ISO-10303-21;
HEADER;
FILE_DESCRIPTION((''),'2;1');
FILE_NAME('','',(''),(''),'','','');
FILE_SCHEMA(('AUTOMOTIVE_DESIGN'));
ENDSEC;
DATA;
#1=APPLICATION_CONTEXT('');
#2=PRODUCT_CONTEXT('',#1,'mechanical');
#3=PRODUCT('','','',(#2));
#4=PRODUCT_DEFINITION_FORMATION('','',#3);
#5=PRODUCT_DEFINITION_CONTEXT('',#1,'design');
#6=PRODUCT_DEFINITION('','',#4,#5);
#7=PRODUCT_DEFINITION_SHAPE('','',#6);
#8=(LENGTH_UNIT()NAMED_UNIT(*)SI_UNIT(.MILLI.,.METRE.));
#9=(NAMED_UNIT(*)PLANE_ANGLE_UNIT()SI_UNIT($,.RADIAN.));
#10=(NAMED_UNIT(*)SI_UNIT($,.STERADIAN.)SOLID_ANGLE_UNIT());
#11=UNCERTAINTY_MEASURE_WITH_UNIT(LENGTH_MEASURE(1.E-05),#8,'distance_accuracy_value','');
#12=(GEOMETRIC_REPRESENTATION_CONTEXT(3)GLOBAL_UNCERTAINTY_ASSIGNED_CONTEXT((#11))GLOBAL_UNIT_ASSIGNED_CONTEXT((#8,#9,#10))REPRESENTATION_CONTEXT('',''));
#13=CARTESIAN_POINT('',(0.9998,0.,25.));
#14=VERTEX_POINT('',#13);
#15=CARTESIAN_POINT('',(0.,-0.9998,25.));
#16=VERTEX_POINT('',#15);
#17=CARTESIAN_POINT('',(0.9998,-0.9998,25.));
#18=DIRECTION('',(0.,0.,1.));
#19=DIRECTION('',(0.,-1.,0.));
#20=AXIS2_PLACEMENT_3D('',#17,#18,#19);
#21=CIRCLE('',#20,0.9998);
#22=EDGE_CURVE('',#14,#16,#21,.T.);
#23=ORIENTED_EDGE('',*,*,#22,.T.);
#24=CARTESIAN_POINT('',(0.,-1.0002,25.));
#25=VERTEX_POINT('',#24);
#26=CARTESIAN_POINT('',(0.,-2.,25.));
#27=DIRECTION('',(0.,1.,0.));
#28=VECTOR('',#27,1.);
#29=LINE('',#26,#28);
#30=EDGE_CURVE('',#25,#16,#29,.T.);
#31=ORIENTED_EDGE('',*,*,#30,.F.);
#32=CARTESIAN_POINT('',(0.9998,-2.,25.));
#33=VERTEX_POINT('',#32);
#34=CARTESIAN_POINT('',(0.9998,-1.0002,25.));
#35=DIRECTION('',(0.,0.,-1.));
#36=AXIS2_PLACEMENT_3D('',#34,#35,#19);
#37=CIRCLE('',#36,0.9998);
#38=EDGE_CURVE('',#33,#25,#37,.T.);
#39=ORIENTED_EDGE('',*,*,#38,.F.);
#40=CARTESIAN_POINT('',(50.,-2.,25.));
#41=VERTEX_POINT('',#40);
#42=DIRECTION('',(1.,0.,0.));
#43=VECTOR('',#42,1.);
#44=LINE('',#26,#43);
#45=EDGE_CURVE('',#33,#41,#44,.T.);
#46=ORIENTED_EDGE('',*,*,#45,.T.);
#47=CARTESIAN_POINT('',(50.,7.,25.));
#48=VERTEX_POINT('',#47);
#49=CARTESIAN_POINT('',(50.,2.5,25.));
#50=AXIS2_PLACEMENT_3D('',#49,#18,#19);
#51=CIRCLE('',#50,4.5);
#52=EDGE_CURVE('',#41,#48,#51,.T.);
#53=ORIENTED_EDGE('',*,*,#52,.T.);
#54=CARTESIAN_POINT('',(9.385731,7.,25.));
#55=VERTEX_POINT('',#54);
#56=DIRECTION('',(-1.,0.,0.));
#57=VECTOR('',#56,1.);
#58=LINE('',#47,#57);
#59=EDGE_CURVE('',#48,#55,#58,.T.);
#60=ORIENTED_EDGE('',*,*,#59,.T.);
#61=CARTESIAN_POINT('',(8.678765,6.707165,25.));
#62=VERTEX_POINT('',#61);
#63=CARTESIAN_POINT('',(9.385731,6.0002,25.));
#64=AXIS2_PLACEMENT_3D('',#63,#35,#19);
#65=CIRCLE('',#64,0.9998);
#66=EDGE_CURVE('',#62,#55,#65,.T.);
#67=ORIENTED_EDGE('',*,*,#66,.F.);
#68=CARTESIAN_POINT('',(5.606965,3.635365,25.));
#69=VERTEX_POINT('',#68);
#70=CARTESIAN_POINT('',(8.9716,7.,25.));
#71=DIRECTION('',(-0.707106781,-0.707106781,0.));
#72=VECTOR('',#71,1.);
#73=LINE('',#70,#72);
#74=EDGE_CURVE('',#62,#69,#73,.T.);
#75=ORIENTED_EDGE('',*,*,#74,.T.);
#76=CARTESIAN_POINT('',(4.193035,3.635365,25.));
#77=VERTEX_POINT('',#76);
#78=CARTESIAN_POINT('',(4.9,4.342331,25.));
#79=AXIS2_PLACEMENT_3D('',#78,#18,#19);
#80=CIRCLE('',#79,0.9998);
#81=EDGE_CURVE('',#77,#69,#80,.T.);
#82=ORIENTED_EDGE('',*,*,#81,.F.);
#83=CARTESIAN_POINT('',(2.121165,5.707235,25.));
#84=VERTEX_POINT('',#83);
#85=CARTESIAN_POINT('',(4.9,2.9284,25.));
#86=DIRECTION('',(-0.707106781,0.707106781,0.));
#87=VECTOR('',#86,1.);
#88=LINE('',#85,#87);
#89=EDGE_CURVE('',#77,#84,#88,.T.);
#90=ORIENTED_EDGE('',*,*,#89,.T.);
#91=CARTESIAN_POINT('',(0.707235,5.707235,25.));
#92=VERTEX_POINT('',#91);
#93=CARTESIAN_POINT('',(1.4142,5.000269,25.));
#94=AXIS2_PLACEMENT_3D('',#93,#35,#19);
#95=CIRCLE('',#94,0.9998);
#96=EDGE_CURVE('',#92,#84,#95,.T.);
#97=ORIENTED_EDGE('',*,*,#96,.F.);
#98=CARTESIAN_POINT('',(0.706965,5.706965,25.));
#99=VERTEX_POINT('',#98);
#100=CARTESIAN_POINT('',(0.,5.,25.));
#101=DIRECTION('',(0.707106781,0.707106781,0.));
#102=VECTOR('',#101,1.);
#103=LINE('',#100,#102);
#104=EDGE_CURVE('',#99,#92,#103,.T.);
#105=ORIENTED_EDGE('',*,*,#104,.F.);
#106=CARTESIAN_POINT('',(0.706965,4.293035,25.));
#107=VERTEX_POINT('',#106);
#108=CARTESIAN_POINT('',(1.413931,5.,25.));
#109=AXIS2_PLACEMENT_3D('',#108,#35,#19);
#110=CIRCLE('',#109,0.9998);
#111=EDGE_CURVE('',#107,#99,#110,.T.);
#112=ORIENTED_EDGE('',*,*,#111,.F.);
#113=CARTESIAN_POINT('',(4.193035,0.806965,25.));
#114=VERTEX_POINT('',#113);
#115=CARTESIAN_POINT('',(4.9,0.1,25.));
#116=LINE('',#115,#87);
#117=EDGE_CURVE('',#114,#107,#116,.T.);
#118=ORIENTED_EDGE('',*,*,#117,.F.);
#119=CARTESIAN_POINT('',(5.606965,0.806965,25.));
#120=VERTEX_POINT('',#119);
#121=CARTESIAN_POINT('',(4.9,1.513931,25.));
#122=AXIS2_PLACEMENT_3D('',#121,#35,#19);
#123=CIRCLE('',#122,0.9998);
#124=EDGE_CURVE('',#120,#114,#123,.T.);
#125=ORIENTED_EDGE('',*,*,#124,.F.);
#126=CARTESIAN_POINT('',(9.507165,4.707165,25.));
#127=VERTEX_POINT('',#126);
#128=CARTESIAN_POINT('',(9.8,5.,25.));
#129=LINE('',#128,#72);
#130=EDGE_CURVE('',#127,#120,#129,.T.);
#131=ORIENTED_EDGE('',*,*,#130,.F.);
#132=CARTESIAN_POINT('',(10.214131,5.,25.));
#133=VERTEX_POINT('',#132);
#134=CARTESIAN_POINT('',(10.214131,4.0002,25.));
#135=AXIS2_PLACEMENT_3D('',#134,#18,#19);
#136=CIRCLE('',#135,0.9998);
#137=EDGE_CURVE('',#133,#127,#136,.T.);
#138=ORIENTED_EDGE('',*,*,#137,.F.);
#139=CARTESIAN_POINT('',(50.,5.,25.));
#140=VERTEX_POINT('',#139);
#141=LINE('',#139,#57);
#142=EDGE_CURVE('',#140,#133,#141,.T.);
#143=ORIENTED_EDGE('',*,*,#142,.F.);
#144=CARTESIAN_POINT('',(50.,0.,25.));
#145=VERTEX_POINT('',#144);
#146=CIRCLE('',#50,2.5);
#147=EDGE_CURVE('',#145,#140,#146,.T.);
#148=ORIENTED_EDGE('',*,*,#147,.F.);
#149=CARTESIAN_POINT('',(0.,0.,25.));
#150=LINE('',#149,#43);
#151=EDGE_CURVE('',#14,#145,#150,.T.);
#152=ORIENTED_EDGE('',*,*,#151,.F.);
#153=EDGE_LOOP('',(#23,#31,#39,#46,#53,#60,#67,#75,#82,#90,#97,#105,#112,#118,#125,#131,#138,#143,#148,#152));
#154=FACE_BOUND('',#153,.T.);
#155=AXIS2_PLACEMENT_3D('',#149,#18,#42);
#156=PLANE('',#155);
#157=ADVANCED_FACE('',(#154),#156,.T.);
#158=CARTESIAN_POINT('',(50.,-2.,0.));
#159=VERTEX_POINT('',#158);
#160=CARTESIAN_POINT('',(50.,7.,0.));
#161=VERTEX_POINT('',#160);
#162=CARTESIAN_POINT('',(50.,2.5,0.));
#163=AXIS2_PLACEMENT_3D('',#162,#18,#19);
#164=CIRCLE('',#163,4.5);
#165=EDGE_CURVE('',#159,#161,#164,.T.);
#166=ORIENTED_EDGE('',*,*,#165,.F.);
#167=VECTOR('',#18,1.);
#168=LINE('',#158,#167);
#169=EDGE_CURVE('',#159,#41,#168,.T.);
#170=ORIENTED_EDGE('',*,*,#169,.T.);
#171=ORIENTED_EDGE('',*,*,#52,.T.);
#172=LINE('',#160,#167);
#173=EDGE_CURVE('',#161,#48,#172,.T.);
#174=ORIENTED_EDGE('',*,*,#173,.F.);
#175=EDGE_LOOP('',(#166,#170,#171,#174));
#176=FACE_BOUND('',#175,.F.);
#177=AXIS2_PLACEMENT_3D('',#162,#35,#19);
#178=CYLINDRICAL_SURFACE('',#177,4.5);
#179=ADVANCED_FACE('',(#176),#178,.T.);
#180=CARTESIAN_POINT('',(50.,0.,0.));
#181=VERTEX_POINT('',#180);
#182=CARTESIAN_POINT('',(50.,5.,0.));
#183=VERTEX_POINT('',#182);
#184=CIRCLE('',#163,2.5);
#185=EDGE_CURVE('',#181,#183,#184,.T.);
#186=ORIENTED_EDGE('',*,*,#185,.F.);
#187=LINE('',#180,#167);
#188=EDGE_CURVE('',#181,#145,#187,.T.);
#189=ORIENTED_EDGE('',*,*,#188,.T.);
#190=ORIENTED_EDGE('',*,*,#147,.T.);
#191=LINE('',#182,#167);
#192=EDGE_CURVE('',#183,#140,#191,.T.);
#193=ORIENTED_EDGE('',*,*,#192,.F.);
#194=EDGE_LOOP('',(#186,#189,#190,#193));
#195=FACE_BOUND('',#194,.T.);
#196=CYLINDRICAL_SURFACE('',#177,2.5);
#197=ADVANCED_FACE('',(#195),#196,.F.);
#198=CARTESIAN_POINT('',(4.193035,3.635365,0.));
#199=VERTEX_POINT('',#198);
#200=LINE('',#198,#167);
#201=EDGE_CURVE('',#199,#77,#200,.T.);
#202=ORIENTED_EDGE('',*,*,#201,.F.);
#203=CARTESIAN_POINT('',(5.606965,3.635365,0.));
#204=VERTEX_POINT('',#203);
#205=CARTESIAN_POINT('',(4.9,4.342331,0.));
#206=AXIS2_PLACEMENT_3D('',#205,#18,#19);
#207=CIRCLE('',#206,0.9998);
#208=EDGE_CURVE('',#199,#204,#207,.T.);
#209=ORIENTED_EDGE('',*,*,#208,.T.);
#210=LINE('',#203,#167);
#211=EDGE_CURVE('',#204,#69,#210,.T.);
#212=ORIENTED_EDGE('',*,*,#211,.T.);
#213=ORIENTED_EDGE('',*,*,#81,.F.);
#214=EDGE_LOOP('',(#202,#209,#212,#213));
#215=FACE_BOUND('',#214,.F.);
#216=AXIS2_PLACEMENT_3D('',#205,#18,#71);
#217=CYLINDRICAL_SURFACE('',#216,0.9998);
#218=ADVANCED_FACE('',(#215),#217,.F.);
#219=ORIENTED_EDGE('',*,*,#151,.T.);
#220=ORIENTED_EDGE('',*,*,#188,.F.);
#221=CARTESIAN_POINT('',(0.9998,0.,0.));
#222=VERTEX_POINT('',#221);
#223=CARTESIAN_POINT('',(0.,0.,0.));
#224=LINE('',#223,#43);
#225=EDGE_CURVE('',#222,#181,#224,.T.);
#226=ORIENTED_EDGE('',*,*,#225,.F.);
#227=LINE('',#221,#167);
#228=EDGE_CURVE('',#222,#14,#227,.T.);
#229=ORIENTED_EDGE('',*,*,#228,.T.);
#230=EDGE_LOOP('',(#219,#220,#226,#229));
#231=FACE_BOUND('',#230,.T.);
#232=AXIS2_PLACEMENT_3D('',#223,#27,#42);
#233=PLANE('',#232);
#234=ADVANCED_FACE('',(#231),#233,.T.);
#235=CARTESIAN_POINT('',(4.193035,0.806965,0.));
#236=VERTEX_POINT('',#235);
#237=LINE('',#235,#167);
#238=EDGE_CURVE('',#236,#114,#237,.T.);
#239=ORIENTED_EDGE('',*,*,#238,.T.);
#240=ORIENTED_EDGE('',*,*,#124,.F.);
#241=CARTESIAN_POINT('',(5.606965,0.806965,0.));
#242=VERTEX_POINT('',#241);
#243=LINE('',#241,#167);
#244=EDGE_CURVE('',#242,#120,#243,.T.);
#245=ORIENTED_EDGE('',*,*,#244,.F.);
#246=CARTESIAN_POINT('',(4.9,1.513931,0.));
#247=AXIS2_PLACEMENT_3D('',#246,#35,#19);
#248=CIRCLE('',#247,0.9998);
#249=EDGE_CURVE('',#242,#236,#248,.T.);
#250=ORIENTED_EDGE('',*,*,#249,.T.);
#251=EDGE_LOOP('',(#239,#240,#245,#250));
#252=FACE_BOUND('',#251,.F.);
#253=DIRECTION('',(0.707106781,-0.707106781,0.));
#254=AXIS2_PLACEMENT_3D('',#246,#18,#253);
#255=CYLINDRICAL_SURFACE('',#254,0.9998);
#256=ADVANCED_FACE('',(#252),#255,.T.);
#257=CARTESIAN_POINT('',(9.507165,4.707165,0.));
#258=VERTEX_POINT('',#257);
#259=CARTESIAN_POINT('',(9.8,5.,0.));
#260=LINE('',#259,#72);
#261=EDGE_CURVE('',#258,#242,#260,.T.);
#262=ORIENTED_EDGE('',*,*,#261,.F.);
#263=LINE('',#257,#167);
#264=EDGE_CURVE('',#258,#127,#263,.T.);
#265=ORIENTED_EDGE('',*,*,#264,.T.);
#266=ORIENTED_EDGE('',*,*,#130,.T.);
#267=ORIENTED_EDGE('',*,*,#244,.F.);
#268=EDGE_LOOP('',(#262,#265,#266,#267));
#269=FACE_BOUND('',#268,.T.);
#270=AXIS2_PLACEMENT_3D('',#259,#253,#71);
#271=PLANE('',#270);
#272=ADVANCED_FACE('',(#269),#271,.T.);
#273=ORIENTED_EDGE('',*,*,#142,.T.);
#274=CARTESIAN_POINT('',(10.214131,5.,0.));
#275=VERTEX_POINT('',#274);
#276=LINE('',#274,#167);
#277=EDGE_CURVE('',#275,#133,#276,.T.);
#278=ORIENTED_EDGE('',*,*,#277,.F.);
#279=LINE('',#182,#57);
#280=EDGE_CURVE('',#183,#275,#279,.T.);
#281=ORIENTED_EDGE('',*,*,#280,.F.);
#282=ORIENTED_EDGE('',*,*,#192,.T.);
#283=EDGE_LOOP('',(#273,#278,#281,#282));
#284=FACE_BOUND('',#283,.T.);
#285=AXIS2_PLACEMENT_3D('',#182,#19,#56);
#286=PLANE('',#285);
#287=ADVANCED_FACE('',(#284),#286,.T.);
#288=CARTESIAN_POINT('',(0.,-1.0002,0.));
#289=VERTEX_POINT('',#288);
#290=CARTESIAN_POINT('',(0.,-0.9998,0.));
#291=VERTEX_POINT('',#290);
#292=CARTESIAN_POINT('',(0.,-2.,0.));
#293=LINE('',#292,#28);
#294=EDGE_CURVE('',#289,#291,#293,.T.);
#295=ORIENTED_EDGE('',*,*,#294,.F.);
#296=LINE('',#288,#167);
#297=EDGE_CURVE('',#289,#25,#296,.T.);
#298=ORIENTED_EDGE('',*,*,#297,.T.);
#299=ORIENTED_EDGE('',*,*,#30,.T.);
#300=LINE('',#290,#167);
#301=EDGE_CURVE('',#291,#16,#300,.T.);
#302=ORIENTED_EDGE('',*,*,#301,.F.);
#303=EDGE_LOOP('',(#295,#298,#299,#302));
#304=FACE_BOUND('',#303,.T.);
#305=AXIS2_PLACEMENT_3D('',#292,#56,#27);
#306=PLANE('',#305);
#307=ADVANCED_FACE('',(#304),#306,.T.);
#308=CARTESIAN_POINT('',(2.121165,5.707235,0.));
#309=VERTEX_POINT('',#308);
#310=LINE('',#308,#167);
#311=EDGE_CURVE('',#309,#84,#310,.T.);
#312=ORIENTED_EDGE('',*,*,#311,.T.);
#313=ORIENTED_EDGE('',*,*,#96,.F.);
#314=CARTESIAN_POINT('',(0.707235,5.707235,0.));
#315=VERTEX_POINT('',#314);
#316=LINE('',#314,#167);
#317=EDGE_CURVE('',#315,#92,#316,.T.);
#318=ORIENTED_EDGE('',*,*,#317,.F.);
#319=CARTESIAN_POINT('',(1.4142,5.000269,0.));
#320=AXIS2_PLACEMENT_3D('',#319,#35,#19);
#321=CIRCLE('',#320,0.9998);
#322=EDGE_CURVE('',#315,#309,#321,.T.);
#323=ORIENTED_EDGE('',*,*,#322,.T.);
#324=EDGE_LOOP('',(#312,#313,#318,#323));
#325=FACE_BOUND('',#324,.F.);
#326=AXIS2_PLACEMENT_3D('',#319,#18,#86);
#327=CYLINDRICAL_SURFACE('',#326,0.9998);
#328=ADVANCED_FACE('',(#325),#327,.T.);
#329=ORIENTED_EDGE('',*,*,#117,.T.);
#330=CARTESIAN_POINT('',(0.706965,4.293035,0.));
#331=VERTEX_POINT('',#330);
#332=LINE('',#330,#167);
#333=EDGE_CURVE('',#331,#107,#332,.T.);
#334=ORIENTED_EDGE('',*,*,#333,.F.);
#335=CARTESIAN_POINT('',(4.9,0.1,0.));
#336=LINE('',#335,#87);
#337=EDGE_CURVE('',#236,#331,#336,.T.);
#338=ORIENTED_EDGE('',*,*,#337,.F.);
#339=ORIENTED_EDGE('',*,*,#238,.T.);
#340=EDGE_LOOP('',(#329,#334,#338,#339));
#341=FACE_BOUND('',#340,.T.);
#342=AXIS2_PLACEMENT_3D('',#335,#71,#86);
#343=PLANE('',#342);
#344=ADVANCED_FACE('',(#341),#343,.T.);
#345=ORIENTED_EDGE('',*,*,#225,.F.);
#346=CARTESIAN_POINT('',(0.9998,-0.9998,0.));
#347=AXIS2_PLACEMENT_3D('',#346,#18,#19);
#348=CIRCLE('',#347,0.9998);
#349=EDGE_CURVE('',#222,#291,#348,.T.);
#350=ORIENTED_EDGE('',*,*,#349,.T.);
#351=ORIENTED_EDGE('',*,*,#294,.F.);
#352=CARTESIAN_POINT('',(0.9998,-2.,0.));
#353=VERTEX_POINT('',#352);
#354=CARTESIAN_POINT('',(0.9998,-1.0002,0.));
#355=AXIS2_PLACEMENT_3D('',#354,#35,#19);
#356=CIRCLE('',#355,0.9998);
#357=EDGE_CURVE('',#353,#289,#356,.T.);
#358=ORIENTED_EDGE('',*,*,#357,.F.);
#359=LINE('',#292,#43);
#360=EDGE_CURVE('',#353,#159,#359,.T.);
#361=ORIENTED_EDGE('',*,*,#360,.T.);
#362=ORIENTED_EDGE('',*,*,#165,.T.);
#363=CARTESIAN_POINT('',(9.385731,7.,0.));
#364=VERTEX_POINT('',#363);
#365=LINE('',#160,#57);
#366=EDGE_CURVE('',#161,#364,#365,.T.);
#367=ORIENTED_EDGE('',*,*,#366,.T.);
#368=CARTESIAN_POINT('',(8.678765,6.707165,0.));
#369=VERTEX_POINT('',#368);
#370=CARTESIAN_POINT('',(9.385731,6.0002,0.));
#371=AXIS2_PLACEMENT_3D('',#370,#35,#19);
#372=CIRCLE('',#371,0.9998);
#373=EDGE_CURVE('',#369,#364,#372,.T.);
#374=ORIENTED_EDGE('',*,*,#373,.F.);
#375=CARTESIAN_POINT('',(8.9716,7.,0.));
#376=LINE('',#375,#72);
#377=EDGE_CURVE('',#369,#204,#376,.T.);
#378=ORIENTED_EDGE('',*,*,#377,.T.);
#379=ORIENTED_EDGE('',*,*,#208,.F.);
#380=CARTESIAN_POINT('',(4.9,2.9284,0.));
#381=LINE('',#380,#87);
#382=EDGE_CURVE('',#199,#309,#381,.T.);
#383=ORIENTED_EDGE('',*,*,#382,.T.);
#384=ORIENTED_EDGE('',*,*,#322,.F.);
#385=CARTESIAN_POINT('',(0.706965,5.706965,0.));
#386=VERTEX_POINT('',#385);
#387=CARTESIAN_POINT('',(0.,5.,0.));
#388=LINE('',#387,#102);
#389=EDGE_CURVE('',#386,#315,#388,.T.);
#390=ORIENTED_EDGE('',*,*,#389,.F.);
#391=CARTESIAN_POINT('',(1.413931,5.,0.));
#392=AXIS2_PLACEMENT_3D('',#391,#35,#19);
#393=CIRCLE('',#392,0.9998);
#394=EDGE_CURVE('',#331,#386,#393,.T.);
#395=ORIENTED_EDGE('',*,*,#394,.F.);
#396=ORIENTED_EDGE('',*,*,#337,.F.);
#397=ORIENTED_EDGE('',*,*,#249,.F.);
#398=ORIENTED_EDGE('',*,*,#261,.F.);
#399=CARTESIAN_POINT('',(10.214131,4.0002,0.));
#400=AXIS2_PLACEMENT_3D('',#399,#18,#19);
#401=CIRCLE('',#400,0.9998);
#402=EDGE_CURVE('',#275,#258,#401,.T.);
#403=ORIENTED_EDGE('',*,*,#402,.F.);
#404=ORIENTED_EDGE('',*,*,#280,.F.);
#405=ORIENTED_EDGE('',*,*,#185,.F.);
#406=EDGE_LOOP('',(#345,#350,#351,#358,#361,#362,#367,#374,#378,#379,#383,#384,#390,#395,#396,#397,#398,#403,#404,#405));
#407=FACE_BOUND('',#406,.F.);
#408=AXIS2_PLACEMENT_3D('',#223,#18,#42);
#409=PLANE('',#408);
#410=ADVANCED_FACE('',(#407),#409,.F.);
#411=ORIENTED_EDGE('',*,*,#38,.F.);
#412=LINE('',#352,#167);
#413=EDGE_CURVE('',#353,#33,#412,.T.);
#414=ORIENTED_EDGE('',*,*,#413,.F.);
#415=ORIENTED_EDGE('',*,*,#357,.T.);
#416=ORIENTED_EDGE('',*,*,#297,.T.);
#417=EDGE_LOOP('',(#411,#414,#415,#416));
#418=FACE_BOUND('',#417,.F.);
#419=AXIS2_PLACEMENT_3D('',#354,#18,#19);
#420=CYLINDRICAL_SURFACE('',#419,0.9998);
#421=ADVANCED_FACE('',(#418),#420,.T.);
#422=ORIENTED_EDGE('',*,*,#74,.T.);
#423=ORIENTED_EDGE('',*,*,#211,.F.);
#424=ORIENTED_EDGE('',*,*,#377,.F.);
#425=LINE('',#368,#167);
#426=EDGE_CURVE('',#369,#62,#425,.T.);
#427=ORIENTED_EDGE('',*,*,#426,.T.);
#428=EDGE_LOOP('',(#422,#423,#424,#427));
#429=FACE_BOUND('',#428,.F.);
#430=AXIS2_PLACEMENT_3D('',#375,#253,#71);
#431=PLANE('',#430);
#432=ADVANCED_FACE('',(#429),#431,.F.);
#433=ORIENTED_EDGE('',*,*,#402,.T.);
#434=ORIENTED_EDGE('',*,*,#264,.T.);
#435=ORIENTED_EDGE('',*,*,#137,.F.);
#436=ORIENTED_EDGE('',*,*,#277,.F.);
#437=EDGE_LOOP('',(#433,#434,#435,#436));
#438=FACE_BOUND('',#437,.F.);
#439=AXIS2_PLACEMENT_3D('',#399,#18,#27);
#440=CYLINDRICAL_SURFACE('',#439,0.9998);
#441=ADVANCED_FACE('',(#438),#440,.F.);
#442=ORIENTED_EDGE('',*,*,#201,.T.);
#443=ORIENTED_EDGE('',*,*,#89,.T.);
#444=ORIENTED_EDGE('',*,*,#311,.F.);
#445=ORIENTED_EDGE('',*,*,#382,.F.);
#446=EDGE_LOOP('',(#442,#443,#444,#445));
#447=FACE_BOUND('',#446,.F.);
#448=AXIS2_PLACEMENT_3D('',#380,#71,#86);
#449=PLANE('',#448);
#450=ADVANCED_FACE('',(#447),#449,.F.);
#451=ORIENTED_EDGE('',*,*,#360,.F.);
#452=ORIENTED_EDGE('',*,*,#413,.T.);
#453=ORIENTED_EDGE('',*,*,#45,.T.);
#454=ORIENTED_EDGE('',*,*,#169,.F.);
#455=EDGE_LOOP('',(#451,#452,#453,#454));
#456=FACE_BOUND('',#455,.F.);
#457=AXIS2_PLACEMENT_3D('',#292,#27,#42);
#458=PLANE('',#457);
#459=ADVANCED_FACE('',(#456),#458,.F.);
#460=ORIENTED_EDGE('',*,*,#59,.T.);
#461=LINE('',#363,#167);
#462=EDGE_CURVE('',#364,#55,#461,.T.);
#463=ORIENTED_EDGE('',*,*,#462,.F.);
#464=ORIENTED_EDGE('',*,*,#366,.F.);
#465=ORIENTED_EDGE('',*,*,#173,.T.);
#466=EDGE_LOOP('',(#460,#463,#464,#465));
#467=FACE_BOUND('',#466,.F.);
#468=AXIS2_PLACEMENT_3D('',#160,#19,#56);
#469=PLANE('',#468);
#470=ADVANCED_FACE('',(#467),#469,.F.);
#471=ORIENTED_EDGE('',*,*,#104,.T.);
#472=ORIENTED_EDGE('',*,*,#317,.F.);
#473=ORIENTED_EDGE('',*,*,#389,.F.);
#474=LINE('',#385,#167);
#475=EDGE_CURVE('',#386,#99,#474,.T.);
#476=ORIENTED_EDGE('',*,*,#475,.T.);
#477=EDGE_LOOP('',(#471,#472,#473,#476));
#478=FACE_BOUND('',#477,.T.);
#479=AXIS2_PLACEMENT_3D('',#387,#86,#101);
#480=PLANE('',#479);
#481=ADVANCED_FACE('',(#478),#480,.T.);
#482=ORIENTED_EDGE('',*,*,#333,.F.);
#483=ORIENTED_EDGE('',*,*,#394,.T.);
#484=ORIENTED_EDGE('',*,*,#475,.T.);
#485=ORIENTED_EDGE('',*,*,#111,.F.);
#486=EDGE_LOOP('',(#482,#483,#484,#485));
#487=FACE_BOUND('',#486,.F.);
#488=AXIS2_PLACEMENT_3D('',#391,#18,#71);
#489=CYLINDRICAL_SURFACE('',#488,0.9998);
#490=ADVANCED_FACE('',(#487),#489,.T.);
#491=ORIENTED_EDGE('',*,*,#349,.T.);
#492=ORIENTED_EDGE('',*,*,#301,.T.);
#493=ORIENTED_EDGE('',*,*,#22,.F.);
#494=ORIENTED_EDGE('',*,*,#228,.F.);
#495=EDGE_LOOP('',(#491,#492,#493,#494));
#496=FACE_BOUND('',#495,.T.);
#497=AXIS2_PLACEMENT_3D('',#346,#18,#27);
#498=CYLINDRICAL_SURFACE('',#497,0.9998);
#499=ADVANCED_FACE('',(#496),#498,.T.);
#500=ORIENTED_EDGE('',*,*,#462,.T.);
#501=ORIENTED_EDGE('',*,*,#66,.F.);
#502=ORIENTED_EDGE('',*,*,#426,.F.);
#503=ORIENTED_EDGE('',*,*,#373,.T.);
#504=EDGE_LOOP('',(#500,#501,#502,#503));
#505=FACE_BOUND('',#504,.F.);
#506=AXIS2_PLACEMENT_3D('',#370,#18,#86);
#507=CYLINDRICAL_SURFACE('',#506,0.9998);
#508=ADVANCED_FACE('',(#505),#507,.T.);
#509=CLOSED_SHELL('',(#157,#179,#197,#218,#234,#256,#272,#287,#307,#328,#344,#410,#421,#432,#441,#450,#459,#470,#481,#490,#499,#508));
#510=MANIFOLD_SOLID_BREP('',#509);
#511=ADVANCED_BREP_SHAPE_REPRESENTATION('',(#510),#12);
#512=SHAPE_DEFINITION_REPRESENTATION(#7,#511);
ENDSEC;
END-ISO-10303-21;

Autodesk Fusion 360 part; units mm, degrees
sketch "Sketch1" plane through (0, 0, 0) normal (0, 0, 1) x (1, 0, 0)
  line L0 (0, 0) -> (50, 0)
  arc A0 (50, 0) -> (50, 5) centre (50, 2.5) ccw
  line L1 (50, 5) -> (9.8, 5)
  line L2 (9.8, 5) -> (4.9, 0.1)
  line L3 (4.9, 0.1) -> (0, 5)
  line L4 (0, -2) -> (50, -2)
  arc A1 (50, -2) -> (50, 7) centre (50, 2.5) ccw
  line L5 (50, 7) -> (8.9716, 7)
  line L6 (8.9716, 7) -> (4.9, 2.9284)
  line L7 (4.9, 2.9284) -> (1.4142, 6.4142)
  line L8 (0, -2) -> (0, 0)
  line L9 (0, 5) -> (1.4142, 6.4142)
  dimension "d4" = 135
  dimension "d5" = 50
  dimension "d6" = 5
  dimension "d8" = 0.1
extrude "Extrude1" add sketch "Sketch1" along normal blind 25
fillet "Fillet1" radius 1 8 edges at (4.9, 2.9284, 12.5) (4.9, 0.1, 12.5) (9.8, 5, 12.5) (8.9716, 7, 12.5) (1.4142, 6.4142, 12.5) (0, 5, 12.5) (0, -2, 12.5) (0, 0, 12.5)
